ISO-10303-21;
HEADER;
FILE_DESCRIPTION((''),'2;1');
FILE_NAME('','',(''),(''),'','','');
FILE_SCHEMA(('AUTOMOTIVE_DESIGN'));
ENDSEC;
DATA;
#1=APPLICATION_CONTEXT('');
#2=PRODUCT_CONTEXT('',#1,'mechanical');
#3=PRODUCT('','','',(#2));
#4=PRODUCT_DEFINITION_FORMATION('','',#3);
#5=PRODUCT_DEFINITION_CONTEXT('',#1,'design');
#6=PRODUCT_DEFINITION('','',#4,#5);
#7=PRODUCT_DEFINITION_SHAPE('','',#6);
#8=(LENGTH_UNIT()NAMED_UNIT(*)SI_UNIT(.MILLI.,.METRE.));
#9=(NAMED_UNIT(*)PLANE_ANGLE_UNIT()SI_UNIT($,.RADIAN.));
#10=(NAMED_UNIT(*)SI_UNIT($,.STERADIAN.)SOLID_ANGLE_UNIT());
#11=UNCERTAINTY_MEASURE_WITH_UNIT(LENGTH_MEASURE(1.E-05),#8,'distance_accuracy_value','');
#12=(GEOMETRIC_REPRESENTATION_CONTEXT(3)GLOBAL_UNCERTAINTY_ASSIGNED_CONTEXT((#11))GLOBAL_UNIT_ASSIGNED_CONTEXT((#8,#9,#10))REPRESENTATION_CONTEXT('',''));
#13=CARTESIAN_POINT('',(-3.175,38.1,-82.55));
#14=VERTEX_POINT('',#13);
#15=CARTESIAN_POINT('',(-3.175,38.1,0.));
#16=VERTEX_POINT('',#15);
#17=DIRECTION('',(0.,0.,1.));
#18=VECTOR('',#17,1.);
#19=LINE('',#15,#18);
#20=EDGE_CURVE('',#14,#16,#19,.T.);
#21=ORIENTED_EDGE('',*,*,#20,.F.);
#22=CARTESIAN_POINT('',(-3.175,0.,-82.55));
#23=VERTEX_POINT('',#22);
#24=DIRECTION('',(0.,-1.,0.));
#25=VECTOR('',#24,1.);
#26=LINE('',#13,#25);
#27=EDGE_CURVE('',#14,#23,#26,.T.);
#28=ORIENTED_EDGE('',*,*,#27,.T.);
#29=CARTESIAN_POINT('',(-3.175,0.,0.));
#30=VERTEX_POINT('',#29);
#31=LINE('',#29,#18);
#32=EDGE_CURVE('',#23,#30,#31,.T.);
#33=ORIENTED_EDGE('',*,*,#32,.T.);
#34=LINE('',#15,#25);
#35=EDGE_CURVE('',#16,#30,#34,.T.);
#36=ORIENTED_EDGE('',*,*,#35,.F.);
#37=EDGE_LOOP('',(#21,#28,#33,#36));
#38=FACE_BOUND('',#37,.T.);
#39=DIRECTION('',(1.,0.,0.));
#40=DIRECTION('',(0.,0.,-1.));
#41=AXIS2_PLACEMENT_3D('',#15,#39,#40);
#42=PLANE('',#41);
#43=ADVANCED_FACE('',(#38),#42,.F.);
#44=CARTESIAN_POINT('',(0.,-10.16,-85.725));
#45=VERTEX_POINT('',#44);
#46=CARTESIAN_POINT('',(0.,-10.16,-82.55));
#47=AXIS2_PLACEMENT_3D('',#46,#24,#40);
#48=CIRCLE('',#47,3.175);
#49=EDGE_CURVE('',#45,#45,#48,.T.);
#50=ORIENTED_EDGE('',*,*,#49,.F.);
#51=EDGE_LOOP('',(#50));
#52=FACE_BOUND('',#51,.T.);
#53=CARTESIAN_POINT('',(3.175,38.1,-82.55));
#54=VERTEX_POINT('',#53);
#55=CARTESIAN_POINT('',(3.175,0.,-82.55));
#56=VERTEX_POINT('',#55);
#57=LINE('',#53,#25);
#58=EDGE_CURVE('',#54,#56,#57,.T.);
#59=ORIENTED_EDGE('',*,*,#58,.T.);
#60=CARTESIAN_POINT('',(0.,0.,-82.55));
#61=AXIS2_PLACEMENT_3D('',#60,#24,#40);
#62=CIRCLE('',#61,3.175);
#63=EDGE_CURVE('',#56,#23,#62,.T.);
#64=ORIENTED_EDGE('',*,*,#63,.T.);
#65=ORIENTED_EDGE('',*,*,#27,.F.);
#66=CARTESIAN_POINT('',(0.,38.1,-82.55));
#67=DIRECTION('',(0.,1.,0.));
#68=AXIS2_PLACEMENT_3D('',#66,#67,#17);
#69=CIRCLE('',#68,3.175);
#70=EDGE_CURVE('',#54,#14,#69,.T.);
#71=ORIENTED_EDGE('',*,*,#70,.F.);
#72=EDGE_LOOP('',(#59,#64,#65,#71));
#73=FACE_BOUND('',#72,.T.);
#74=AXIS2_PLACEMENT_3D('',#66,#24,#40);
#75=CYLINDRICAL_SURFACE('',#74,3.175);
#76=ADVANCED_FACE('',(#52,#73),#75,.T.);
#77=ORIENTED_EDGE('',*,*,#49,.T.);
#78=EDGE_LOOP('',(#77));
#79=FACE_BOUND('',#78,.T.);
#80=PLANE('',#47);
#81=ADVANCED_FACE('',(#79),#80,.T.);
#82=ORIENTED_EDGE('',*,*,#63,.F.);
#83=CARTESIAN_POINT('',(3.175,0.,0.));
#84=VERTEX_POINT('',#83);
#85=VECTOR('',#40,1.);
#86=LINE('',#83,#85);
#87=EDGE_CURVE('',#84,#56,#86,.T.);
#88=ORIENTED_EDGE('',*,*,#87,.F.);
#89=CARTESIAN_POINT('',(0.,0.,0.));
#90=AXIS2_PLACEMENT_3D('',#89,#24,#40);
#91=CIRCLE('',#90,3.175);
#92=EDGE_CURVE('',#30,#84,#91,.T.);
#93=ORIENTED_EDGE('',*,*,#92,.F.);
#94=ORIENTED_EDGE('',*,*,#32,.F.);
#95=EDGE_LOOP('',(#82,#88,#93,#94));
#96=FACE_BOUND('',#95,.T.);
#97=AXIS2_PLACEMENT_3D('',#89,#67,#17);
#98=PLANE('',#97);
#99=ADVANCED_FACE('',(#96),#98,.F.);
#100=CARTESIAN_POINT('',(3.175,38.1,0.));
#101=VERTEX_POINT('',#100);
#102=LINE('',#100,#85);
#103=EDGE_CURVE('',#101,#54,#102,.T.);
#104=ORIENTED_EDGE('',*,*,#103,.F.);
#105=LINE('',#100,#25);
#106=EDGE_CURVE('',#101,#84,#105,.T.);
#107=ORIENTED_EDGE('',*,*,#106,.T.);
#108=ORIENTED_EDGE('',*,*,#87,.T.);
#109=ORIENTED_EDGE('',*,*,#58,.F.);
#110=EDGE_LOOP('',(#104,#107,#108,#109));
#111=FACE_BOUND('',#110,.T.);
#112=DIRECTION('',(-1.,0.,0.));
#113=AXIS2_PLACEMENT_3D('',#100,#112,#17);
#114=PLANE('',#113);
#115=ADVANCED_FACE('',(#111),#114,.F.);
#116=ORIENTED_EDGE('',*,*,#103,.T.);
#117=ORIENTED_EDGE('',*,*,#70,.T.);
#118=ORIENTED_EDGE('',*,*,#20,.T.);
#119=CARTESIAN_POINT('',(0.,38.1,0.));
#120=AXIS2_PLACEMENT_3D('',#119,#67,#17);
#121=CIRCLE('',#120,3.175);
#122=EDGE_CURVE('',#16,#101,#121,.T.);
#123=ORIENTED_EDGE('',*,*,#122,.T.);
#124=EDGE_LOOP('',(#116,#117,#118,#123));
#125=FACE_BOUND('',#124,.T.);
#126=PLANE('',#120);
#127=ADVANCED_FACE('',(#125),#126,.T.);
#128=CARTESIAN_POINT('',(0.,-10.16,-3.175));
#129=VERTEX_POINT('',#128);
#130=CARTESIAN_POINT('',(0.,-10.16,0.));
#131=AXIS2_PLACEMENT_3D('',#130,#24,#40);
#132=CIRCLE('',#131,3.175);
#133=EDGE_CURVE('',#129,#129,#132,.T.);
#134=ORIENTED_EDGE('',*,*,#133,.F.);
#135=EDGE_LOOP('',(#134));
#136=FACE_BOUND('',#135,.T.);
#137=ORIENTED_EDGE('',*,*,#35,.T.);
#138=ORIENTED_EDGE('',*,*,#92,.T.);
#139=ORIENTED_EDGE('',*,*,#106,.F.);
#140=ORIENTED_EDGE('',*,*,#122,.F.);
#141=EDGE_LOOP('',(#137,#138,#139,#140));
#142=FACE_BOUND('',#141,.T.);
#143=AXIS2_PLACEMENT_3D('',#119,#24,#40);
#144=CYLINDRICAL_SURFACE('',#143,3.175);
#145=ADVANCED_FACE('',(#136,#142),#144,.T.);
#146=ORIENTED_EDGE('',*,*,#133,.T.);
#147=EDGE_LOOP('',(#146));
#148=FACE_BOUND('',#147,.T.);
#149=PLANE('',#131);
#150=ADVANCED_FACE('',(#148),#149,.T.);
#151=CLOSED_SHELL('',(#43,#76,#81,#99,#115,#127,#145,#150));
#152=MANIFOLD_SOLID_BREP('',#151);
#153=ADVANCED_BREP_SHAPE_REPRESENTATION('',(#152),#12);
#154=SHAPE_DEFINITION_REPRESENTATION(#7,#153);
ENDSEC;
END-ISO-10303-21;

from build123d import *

# Parameters (mm, degrees)
BOSS_EXTRUDE1_DEPTH = 38.1
BOSS_EXTRUDE2_START = 10.16
SKETCH2_R           = 3.175
BOSS_EXTRUDE2_DEPTH = 10.16


with BuildPart() as part:
    # Sketch1 → Boss-Extrude1 (new body)
    with BuildSketch(Plane(origin=(0, 0, 0), x_dir=(1, 0, 0), z_dir=(0, 1, 0))):
        with BuildLine():
            Line((-3.175, 0), (-3.175, 82.55))
            ThreePointArc((-3.175, 82.55), (0, 85.725), (3.175, 82.55))
            Line((3.175, 82.55), (3.175, 0))
            ThreePointArc((3.175, 0), (0, -3.175), (-3.175, 0))
        make_face()
    extrude(amount=BOSS_EXTRUDE1_DEPTH)

    # Sketch2 → Boss-Extrude2 (add)
    with BuildSketch(Plane(origin=(0, 0, 0), x_dir=(-1, 0, 0), z_dir=(0, -1, 0)).offset(BOSS_EXTRUDE2_START)):
        with Locations(Location((0, 82.55, 0), (0, 0, 90))):
            Circle(SKETCH2_R)
        with Locations(Location((0, 0, 0), (0, 0, 90))):
            Circle(SKETCH2_R)
    extrude(amount=-BOSS_EXTRUDE2_DEPTH)


solid = part.part
